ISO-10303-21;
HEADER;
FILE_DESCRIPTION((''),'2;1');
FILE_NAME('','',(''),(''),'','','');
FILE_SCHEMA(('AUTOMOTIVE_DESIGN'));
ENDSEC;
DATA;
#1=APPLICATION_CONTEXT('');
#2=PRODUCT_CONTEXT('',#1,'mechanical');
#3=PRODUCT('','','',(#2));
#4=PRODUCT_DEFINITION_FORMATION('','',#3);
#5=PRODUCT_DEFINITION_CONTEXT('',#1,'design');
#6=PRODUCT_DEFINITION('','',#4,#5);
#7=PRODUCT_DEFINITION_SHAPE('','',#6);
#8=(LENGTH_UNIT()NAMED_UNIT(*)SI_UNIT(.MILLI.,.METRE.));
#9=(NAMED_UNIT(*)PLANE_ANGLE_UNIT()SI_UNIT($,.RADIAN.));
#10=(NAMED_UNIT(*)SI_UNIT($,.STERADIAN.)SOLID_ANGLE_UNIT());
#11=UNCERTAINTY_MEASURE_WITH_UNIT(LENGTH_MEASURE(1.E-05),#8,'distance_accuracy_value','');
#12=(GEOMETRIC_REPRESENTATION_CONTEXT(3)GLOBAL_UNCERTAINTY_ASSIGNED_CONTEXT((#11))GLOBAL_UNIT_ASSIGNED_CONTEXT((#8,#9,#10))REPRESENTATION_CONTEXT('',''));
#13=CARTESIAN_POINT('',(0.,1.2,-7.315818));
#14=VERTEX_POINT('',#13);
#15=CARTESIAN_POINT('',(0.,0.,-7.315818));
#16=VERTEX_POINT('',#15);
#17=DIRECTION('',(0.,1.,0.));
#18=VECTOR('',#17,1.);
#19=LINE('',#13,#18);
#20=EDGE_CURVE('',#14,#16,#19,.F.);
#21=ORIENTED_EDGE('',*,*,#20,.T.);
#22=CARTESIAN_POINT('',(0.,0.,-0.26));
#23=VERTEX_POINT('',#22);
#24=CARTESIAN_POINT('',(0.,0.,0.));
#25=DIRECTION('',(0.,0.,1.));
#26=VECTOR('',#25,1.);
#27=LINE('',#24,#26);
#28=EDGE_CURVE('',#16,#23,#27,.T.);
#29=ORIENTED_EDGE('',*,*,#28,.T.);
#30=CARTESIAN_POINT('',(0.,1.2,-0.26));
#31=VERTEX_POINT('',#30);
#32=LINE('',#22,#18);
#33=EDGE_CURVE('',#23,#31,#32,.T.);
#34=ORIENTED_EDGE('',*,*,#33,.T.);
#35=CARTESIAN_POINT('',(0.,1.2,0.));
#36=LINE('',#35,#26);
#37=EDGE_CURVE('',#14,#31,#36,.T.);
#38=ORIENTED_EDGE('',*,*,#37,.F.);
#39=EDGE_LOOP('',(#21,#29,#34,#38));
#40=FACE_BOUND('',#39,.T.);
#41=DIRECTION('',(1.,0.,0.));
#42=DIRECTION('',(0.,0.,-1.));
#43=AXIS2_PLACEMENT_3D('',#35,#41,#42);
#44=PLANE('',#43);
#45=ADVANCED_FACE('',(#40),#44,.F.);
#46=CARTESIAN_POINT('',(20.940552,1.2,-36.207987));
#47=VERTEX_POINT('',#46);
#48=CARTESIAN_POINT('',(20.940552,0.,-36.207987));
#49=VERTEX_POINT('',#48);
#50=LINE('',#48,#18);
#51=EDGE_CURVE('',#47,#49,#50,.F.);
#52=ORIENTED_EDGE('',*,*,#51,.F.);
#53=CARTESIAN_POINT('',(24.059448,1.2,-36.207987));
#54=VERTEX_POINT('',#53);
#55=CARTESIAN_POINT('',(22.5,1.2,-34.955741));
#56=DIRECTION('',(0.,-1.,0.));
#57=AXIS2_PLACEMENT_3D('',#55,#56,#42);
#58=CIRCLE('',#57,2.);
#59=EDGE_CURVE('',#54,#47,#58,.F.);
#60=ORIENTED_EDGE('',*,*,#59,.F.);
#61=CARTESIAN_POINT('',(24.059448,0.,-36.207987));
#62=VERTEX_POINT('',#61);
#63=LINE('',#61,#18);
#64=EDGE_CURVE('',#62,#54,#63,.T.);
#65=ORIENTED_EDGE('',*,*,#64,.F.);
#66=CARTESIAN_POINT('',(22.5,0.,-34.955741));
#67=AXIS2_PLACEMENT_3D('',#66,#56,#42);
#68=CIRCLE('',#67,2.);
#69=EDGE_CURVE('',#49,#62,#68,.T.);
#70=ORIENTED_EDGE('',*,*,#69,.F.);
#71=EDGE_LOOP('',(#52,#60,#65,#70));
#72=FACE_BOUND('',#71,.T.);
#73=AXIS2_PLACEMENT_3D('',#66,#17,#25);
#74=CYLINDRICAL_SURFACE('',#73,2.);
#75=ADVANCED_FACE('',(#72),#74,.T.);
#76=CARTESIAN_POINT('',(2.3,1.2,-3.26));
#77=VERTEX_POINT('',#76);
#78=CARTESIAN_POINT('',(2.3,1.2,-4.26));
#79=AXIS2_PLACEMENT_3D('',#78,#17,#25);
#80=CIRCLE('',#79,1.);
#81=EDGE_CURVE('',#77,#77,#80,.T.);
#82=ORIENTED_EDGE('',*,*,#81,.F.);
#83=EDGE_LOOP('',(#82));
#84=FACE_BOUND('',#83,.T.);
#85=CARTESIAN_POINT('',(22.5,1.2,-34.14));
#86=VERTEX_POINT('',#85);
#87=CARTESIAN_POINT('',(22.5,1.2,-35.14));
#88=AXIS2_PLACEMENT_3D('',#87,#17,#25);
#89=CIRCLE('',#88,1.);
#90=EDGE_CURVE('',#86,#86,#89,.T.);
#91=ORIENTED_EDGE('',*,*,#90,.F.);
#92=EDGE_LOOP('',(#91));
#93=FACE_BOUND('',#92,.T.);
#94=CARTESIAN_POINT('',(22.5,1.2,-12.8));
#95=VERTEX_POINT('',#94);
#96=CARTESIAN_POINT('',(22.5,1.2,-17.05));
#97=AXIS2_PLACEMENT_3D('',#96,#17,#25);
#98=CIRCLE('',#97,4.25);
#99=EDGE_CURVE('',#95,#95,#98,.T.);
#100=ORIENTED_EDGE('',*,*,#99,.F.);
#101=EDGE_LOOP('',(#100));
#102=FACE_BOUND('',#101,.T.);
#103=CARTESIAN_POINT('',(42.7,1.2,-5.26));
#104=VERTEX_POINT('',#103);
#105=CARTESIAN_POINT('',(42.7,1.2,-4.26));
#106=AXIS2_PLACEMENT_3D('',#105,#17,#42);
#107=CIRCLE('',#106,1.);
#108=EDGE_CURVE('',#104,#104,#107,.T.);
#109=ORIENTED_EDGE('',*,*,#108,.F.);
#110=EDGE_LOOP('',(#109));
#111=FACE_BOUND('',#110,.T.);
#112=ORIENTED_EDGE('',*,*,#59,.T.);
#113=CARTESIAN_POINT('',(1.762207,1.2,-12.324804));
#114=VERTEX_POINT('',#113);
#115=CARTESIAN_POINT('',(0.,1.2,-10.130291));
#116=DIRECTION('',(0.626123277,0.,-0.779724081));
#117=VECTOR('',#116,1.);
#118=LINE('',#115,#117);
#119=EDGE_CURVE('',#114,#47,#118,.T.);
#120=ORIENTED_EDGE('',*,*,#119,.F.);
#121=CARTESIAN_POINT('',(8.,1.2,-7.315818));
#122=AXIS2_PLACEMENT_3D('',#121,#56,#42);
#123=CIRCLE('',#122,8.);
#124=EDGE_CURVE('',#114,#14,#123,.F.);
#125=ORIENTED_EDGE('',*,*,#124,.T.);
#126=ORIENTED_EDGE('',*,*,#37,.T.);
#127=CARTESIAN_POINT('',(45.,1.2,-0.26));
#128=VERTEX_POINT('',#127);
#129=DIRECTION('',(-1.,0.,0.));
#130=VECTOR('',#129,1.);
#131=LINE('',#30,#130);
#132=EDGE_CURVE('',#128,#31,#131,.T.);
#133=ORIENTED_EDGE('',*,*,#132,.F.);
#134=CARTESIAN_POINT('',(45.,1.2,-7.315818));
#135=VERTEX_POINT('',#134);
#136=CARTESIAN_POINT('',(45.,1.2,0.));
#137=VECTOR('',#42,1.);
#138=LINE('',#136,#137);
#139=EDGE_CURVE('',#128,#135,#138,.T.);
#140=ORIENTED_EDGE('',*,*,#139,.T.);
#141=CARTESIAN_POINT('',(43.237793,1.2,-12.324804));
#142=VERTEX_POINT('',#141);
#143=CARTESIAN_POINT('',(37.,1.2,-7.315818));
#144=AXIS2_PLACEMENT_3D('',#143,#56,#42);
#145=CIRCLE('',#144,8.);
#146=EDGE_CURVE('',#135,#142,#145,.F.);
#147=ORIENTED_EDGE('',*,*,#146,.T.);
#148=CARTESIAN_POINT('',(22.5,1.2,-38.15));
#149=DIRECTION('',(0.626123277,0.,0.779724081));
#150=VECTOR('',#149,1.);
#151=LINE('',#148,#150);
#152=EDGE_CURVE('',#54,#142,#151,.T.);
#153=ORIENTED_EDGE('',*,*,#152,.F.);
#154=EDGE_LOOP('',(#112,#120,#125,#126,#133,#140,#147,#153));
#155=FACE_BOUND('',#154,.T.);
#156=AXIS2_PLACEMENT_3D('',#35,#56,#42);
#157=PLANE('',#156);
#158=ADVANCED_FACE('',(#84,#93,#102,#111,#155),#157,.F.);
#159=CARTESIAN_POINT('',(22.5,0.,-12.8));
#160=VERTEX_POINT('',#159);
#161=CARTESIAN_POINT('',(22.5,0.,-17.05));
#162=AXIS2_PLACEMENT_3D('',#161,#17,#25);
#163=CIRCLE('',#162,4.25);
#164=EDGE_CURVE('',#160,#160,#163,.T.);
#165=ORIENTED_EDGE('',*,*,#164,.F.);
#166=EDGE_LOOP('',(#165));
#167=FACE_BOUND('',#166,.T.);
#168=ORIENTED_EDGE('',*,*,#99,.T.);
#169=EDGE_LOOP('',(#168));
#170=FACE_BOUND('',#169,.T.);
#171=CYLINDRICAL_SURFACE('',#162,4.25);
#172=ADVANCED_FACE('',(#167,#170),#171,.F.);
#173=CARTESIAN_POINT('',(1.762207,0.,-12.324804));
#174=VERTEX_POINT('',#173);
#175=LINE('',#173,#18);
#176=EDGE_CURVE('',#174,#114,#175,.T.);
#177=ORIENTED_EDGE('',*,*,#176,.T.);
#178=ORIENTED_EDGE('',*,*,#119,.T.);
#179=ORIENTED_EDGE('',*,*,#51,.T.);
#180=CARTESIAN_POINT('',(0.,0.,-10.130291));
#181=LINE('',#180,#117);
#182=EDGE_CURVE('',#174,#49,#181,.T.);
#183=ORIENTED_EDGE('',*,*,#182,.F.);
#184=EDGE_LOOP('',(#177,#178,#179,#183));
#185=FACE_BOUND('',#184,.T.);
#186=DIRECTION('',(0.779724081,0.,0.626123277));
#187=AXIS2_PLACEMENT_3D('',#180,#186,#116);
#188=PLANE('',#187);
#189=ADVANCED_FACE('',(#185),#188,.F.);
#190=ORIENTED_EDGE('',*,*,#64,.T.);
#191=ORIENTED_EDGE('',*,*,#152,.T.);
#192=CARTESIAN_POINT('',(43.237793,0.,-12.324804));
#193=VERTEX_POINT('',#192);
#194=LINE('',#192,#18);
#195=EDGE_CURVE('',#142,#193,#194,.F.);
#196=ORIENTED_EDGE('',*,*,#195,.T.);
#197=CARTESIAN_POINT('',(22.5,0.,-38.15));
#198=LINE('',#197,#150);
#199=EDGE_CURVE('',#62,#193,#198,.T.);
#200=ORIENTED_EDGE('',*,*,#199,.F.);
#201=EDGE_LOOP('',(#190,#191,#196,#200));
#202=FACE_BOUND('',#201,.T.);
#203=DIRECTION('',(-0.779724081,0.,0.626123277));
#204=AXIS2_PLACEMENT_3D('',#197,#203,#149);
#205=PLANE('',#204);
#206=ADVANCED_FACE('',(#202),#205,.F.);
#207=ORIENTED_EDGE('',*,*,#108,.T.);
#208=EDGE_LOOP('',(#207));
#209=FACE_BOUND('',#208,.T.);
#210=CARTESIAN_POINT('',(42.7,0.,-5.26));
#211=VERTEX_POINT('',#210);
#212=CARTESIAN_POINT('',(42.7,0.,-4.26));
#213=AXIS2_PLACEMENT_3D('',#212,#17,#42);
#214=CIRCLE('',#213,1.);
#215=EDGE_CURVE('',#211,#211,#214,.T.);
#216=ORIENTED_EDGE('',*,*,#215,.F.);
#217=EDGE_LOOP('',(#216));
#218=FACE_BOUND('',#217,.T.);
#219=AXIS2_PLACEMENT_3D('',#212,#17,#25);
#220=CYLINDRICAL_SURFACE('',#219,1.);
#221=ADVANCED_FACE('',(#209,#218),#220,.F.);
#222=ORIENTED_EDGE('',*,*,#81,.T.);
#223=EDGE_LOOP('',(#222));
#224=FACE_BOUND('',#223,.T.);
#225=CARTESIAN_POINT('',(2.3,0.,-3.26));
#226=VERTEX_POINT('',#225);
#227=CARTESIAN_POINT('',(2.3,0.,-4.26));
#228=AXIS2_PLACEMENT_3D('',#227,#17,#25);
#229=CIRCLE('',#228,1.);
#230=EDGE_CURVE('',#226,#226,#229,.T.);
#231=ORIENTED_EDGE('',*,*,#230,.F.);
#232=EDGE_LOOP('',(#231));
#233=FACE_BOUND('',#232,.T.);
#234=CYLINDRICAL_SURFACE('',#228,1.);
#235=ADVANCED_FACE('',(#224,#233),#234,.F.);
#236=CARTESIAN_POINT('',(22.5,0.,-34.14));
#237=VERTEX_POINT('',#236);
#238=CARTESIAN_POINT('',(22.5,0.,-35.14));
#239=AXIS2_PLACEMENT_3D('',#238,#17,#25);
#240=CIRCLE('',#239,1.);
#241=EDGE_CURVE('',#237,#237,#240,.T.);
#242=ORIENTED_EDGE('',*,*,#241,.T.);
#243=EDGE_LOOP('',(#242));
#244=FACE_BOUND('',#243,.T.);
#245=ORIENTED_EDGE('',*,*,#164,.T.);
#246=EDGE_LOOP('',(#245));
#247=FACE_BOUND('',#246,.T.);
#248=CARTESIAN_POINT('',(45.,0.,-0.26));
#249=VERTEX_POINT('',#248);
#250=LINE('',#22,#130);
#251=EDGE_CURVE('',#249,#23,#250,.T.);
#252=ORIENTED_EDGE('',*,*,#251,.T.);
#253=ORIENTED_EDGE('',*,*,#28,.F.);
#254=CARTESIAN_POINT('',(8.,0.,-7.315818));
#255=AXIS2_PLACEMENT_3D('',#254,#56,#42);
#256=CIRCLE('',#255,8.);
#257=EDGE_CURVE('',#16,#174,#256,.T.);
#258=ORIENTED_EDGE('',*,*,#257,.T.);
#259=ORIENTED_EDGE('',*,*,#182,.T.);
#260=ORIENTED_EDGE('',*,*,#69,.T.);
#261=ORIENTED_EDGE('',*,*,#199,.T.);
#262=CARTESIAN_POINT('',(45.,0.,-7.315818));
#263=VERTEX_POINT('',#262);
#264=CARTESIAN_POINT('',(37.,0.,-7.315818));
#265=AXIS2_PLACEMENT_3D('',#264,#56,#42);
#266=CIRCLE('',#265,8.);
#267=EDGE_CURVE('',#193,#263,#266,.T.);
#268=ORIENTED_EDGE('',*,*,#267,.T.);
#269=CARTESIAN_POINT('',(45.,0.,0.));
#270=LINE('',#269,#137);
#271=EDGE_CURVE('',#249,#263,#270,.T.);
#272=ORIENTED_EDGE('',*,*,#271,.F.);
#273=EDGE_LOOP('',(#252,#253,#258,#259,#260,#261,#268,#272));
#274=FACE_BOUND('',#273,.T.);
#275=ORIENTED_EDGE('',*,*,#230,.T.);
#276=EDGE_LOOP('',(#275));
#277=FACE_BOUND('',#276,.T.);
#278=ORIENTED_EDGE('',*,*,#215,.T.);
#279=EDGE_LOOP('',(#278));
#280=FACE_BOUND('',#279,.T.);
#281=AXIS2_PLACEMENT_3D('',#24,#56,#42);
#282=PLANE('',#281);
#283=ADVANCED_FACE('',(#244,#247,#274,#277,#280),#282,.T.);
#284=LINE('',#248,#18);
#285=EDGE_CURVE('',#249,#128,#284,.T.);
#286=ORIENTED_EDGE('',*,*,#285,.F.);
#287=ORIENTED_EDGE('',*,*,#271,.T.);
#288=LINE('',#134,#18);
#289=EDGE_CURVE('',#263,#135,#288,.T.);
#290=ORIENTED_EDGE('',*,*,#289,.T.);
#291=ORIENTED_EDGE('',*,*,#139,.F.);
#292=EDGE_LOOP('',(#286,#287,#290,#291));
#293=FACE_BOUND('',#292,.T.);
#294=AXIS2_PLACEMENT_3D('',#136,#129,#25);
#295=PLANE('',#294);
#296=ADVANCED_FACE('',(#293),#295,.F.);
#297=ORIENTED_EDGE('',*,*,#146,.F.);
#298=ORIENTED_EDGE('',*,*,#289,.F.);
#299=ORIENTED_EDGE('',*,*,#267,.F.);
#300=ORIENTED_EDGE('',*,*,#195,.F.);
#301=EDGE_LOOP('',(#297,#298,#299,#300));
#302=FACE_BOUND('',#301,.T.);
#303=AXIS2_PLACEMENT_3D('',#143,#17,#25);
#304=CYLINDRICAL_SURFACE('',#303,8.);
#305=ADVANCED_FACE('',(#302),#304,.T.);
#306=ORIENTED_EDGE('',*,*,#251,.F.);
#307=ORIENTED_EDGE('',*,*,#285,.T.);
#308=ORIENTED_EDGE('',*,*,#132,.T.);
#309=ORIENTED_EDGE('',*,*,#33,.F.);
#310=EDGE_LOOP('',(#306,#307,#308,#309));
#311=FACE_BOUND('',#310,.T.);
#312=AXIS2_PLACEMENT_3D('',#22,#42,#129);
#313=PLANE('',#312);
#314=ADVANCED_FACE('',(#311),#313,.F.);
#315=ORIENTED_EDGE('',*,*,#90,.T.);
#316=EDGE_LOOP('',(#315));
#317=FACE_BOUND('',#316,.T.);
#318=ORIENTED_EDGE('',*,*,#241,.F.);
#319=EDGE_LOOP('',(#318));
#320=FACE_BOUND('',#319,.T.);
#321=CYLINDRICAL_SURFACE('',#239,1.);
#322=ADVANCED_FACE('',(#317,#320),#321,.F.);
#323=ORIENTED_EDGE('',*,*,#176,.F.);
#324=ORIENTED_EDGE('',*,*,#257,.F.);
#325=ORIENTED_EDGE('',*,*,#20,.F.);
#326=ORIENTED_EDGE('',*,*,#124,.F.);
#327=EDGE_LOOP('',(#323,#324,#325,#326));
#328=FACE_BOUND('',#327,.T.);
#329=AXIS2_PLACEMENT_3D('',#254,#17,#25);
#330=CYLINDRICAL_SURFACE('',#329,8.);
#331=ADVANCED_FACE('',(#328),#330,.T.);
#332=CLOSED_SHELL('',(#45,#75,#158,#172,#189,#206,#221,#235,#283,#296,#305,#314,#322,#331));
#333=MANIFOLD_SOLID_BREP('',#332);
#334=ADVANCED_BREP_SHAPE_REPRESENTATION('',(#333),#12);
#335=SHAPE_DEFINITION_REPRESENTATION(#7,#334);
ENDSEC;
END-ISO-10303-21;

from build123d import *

# Parameters (mm, degrees)
SKETCH_1_W          = 45
SKETCH_1_H          = 8
SKETCH_1_R          = 1
EXTRUDE_1_DEPTH     = 1.2
SKETCH_2_W          = 45
SKETCH_2_H          = 30.15
SKETCH_2_R          = 1
SKETCH_2_R_2        = 4.25
EXTRUDE_2_DEPTH     = 1.2
CUT_EXTRUDE_1_DEPTH = 60.007308869
FILLET_2_R          = 8
FILLET_3_R          = 2
EXTRUDE_START       = -1.2
SKETCH_7_R          = 1
SKETCH_7_W          = 45
SKETCH_7_H          = 0.26
EXTRUDE_3_DEPTH     = 1.2
SKETCH_8_W          = 45
SKETCH_8_H          = 0.26
CUT_EXTRUDE_2_DEPTH = 59.24231093
SKETCH_9_R          = 1
CUT_EXTRUDE_3_DEPTH = 59.24231093
SKETCH_10_R         = 4.25
SKETCH_10_R_2       = 1
EXTRUDE_4_DEPTH     = 1.2
SKETCH_11_R         = 4.25
SKETCH_11_R_2       = 1
CUT_EXTRUDE_4_DEPTH = 59.24231093


with BuildPart() as part:
    # ｽｹｯﾁ1 → ﾎﾞｽ - 押し出し1 (new body)
    with BuildSketch(Plane(origin=(0, 0, 0), x_dir=(1, 0, 0), z_dir=(0, 1, 0))):
        with Locations((22.5, 4)):
            Rectangle(SKETCH_1_W, SKETCH_1_H)
        with Locations(Location((2, 3.78, 0), (0, 0, 270))):
            Circle(SKETCH_1_R, mode=Mode.SUBTRACT)
        with Locations(Location((43, 3.78, 0), (0, 0, 90))):
            Circle(SKETCH_1_R, mode=Mode.SUBTRACT)
    extrude(amount=EXTRUDE_1_DEPTH)

    # ｽｹｯﾁ2 → ﾎﾞｽ - 押し出し2 (add)
    with BuildSketch(Plane(origin=(0, 1.2, 0), x_dir=(1, 0, 0), z_dir=(0, 1, 0))):
        with Locations((22.5, 23.075)):
            Rectangle(SKETCH_2_W, SKETCH_2_H)
        with Locations(Location((22.5, 35.15, 0), (0, 0, 270))):
            Circle(SKETCH_2_R, mode=Mode.SUBTRACT)
        with Locations(Location((22.5, 17.1, 0), (0, 0, 270))):
            Circle(SKETCH_2_R_2, mode=Mode.SUBTRACT)
    extrude(amount=-EXTRUDE_2_DEPTH)

    # ｽｹｯﾁ6 → ｶｯﾄ - 押し出し1 (cut, through all)
    with BuildSketch(Plane(origin=(0, 1.2, 0), x_dir=(1, 0, 0), z_dir=(0, 1, 0))):
        Polygon((0, 38.15), (0, 10.130291319), (22.5, 38.15), align=None)
        Polygon((45, 38.15), (22.5, 38.15), (45, 10.130291319), align=None)
    extrude(amount=-CUT_EXTRUDE_1_DEPTH, mode=Mode.SUBTRACT)

    # ﾌｨﾚｯﾄ2
    fillet_2_edges = [part.edges().sort_by_distance(p)[0] for p in [
        (45, 0.6, -10.130291319),
        (0, 0.6, -10.130291319),
    ]]
    fillet(fillet_2_edges, radius=FILLET_2_R)

    # ﾌｨﾚｯﾄ3
    fillet_3_edges = [part.edges().sort_by_distance(p)[0] for p in [
        (22.5, 0.6, -38.15),
    ]]
    fillet(fillet_3_edges, radius=FILLET_3_R)

    # ｽｹｯﾁ7 → ﾎﾞｽ - 押し出し3 (add)
    with BuildSketch(Plane(origin=(0, 1.2, 0), x_dir=(1, 0, 0), z_dir=(0, 1, 0)).offset(EXTRUDE_START)):
        with Locations((2, 3.78)):
            Circle(SKETCH_7_R)
        with Locations((43, 3.78)):
            Circle(SKETCH_7_R)
        with Locations((22.5, 0.13)):
            Rectangle(SKETCH_7_W, SKETCH_7_H)
    extrude(amount=EXTRUDE_3_DEPTH)

    # ｽｹｯﾁ8 → ｶｯﾄ - 押し出し2 (cut, through all)
    with BuildSketch(Plane(origin=(0, 1.2, 0), x_dir=(1, 0, 0), z_dir=(0, 1, 0))):
        with Locations((22.5, 0.13)):
            Rectangle(SKETCH_8_W, SKETCH_8_H)
    extrude(amount=-CUT_EXTRUDE_2_DEPTH, mode=Mode.SUBTRACT)

    # ｽｹｯﾁ9 → ｶｯﾄ - 押し出し3 (cut, through all)
    with BuildSketch(Plane(origin=(0, 1.2, 0), x_dir=(1, 0, 0), z_dir=(0, 1, 0))):
        with Locations(Location((2.3, 4.26, 0), (0, 0, 270))):
            Circle(SKETCH_9_R)
        with Locations(Location((42.7, 4.26, 0), (0, 0, 90))):
            Circle(SKETCH_9_R)
    extrude(amount=-CUT_EXTRUDE_3_DEPTH, mode=Mode.SUBTRACT)

    # ｽｹｯﾁ10 → ﾎﾞｽ - 押し出し4 (add)
    with BuildSketch(Plane(origin=(0, 1.2, 0), x_dir=(1, 0, 0), z_dir=(0, 1, 0))):
        with Locations((22.5, 17.1)):
            Circle(SKETCH_10_R)
        with Locations((22.5, 35.15)):
            Circle(SKETCH_10_R_2)
    extrude(amount=-EXTRUDE_4_DEPTH)

    # ｽｹｯﾁ11 → ｶｯﾄ - 押し出し4 (cut, through all)
    with BuildSketch(Plane(origin=(0, 1.2, 0), x_dir=(1, 0, 0), z_dir=(0, 1, 0))):
        with Locations(Location((22.5, 17.05, 0), (0, 0, 270))):
            Circle(SKETCH_11_R)
        with Locations(Location((22.5, 35.14, 0), (0, 0, 270))):
            Circle(SKETCH_11_R_2)
    extrude(amount=-CUT_EXTRUDE_4_DEPTH, mode=Mode.SUBTRACT)


solid = part.part
